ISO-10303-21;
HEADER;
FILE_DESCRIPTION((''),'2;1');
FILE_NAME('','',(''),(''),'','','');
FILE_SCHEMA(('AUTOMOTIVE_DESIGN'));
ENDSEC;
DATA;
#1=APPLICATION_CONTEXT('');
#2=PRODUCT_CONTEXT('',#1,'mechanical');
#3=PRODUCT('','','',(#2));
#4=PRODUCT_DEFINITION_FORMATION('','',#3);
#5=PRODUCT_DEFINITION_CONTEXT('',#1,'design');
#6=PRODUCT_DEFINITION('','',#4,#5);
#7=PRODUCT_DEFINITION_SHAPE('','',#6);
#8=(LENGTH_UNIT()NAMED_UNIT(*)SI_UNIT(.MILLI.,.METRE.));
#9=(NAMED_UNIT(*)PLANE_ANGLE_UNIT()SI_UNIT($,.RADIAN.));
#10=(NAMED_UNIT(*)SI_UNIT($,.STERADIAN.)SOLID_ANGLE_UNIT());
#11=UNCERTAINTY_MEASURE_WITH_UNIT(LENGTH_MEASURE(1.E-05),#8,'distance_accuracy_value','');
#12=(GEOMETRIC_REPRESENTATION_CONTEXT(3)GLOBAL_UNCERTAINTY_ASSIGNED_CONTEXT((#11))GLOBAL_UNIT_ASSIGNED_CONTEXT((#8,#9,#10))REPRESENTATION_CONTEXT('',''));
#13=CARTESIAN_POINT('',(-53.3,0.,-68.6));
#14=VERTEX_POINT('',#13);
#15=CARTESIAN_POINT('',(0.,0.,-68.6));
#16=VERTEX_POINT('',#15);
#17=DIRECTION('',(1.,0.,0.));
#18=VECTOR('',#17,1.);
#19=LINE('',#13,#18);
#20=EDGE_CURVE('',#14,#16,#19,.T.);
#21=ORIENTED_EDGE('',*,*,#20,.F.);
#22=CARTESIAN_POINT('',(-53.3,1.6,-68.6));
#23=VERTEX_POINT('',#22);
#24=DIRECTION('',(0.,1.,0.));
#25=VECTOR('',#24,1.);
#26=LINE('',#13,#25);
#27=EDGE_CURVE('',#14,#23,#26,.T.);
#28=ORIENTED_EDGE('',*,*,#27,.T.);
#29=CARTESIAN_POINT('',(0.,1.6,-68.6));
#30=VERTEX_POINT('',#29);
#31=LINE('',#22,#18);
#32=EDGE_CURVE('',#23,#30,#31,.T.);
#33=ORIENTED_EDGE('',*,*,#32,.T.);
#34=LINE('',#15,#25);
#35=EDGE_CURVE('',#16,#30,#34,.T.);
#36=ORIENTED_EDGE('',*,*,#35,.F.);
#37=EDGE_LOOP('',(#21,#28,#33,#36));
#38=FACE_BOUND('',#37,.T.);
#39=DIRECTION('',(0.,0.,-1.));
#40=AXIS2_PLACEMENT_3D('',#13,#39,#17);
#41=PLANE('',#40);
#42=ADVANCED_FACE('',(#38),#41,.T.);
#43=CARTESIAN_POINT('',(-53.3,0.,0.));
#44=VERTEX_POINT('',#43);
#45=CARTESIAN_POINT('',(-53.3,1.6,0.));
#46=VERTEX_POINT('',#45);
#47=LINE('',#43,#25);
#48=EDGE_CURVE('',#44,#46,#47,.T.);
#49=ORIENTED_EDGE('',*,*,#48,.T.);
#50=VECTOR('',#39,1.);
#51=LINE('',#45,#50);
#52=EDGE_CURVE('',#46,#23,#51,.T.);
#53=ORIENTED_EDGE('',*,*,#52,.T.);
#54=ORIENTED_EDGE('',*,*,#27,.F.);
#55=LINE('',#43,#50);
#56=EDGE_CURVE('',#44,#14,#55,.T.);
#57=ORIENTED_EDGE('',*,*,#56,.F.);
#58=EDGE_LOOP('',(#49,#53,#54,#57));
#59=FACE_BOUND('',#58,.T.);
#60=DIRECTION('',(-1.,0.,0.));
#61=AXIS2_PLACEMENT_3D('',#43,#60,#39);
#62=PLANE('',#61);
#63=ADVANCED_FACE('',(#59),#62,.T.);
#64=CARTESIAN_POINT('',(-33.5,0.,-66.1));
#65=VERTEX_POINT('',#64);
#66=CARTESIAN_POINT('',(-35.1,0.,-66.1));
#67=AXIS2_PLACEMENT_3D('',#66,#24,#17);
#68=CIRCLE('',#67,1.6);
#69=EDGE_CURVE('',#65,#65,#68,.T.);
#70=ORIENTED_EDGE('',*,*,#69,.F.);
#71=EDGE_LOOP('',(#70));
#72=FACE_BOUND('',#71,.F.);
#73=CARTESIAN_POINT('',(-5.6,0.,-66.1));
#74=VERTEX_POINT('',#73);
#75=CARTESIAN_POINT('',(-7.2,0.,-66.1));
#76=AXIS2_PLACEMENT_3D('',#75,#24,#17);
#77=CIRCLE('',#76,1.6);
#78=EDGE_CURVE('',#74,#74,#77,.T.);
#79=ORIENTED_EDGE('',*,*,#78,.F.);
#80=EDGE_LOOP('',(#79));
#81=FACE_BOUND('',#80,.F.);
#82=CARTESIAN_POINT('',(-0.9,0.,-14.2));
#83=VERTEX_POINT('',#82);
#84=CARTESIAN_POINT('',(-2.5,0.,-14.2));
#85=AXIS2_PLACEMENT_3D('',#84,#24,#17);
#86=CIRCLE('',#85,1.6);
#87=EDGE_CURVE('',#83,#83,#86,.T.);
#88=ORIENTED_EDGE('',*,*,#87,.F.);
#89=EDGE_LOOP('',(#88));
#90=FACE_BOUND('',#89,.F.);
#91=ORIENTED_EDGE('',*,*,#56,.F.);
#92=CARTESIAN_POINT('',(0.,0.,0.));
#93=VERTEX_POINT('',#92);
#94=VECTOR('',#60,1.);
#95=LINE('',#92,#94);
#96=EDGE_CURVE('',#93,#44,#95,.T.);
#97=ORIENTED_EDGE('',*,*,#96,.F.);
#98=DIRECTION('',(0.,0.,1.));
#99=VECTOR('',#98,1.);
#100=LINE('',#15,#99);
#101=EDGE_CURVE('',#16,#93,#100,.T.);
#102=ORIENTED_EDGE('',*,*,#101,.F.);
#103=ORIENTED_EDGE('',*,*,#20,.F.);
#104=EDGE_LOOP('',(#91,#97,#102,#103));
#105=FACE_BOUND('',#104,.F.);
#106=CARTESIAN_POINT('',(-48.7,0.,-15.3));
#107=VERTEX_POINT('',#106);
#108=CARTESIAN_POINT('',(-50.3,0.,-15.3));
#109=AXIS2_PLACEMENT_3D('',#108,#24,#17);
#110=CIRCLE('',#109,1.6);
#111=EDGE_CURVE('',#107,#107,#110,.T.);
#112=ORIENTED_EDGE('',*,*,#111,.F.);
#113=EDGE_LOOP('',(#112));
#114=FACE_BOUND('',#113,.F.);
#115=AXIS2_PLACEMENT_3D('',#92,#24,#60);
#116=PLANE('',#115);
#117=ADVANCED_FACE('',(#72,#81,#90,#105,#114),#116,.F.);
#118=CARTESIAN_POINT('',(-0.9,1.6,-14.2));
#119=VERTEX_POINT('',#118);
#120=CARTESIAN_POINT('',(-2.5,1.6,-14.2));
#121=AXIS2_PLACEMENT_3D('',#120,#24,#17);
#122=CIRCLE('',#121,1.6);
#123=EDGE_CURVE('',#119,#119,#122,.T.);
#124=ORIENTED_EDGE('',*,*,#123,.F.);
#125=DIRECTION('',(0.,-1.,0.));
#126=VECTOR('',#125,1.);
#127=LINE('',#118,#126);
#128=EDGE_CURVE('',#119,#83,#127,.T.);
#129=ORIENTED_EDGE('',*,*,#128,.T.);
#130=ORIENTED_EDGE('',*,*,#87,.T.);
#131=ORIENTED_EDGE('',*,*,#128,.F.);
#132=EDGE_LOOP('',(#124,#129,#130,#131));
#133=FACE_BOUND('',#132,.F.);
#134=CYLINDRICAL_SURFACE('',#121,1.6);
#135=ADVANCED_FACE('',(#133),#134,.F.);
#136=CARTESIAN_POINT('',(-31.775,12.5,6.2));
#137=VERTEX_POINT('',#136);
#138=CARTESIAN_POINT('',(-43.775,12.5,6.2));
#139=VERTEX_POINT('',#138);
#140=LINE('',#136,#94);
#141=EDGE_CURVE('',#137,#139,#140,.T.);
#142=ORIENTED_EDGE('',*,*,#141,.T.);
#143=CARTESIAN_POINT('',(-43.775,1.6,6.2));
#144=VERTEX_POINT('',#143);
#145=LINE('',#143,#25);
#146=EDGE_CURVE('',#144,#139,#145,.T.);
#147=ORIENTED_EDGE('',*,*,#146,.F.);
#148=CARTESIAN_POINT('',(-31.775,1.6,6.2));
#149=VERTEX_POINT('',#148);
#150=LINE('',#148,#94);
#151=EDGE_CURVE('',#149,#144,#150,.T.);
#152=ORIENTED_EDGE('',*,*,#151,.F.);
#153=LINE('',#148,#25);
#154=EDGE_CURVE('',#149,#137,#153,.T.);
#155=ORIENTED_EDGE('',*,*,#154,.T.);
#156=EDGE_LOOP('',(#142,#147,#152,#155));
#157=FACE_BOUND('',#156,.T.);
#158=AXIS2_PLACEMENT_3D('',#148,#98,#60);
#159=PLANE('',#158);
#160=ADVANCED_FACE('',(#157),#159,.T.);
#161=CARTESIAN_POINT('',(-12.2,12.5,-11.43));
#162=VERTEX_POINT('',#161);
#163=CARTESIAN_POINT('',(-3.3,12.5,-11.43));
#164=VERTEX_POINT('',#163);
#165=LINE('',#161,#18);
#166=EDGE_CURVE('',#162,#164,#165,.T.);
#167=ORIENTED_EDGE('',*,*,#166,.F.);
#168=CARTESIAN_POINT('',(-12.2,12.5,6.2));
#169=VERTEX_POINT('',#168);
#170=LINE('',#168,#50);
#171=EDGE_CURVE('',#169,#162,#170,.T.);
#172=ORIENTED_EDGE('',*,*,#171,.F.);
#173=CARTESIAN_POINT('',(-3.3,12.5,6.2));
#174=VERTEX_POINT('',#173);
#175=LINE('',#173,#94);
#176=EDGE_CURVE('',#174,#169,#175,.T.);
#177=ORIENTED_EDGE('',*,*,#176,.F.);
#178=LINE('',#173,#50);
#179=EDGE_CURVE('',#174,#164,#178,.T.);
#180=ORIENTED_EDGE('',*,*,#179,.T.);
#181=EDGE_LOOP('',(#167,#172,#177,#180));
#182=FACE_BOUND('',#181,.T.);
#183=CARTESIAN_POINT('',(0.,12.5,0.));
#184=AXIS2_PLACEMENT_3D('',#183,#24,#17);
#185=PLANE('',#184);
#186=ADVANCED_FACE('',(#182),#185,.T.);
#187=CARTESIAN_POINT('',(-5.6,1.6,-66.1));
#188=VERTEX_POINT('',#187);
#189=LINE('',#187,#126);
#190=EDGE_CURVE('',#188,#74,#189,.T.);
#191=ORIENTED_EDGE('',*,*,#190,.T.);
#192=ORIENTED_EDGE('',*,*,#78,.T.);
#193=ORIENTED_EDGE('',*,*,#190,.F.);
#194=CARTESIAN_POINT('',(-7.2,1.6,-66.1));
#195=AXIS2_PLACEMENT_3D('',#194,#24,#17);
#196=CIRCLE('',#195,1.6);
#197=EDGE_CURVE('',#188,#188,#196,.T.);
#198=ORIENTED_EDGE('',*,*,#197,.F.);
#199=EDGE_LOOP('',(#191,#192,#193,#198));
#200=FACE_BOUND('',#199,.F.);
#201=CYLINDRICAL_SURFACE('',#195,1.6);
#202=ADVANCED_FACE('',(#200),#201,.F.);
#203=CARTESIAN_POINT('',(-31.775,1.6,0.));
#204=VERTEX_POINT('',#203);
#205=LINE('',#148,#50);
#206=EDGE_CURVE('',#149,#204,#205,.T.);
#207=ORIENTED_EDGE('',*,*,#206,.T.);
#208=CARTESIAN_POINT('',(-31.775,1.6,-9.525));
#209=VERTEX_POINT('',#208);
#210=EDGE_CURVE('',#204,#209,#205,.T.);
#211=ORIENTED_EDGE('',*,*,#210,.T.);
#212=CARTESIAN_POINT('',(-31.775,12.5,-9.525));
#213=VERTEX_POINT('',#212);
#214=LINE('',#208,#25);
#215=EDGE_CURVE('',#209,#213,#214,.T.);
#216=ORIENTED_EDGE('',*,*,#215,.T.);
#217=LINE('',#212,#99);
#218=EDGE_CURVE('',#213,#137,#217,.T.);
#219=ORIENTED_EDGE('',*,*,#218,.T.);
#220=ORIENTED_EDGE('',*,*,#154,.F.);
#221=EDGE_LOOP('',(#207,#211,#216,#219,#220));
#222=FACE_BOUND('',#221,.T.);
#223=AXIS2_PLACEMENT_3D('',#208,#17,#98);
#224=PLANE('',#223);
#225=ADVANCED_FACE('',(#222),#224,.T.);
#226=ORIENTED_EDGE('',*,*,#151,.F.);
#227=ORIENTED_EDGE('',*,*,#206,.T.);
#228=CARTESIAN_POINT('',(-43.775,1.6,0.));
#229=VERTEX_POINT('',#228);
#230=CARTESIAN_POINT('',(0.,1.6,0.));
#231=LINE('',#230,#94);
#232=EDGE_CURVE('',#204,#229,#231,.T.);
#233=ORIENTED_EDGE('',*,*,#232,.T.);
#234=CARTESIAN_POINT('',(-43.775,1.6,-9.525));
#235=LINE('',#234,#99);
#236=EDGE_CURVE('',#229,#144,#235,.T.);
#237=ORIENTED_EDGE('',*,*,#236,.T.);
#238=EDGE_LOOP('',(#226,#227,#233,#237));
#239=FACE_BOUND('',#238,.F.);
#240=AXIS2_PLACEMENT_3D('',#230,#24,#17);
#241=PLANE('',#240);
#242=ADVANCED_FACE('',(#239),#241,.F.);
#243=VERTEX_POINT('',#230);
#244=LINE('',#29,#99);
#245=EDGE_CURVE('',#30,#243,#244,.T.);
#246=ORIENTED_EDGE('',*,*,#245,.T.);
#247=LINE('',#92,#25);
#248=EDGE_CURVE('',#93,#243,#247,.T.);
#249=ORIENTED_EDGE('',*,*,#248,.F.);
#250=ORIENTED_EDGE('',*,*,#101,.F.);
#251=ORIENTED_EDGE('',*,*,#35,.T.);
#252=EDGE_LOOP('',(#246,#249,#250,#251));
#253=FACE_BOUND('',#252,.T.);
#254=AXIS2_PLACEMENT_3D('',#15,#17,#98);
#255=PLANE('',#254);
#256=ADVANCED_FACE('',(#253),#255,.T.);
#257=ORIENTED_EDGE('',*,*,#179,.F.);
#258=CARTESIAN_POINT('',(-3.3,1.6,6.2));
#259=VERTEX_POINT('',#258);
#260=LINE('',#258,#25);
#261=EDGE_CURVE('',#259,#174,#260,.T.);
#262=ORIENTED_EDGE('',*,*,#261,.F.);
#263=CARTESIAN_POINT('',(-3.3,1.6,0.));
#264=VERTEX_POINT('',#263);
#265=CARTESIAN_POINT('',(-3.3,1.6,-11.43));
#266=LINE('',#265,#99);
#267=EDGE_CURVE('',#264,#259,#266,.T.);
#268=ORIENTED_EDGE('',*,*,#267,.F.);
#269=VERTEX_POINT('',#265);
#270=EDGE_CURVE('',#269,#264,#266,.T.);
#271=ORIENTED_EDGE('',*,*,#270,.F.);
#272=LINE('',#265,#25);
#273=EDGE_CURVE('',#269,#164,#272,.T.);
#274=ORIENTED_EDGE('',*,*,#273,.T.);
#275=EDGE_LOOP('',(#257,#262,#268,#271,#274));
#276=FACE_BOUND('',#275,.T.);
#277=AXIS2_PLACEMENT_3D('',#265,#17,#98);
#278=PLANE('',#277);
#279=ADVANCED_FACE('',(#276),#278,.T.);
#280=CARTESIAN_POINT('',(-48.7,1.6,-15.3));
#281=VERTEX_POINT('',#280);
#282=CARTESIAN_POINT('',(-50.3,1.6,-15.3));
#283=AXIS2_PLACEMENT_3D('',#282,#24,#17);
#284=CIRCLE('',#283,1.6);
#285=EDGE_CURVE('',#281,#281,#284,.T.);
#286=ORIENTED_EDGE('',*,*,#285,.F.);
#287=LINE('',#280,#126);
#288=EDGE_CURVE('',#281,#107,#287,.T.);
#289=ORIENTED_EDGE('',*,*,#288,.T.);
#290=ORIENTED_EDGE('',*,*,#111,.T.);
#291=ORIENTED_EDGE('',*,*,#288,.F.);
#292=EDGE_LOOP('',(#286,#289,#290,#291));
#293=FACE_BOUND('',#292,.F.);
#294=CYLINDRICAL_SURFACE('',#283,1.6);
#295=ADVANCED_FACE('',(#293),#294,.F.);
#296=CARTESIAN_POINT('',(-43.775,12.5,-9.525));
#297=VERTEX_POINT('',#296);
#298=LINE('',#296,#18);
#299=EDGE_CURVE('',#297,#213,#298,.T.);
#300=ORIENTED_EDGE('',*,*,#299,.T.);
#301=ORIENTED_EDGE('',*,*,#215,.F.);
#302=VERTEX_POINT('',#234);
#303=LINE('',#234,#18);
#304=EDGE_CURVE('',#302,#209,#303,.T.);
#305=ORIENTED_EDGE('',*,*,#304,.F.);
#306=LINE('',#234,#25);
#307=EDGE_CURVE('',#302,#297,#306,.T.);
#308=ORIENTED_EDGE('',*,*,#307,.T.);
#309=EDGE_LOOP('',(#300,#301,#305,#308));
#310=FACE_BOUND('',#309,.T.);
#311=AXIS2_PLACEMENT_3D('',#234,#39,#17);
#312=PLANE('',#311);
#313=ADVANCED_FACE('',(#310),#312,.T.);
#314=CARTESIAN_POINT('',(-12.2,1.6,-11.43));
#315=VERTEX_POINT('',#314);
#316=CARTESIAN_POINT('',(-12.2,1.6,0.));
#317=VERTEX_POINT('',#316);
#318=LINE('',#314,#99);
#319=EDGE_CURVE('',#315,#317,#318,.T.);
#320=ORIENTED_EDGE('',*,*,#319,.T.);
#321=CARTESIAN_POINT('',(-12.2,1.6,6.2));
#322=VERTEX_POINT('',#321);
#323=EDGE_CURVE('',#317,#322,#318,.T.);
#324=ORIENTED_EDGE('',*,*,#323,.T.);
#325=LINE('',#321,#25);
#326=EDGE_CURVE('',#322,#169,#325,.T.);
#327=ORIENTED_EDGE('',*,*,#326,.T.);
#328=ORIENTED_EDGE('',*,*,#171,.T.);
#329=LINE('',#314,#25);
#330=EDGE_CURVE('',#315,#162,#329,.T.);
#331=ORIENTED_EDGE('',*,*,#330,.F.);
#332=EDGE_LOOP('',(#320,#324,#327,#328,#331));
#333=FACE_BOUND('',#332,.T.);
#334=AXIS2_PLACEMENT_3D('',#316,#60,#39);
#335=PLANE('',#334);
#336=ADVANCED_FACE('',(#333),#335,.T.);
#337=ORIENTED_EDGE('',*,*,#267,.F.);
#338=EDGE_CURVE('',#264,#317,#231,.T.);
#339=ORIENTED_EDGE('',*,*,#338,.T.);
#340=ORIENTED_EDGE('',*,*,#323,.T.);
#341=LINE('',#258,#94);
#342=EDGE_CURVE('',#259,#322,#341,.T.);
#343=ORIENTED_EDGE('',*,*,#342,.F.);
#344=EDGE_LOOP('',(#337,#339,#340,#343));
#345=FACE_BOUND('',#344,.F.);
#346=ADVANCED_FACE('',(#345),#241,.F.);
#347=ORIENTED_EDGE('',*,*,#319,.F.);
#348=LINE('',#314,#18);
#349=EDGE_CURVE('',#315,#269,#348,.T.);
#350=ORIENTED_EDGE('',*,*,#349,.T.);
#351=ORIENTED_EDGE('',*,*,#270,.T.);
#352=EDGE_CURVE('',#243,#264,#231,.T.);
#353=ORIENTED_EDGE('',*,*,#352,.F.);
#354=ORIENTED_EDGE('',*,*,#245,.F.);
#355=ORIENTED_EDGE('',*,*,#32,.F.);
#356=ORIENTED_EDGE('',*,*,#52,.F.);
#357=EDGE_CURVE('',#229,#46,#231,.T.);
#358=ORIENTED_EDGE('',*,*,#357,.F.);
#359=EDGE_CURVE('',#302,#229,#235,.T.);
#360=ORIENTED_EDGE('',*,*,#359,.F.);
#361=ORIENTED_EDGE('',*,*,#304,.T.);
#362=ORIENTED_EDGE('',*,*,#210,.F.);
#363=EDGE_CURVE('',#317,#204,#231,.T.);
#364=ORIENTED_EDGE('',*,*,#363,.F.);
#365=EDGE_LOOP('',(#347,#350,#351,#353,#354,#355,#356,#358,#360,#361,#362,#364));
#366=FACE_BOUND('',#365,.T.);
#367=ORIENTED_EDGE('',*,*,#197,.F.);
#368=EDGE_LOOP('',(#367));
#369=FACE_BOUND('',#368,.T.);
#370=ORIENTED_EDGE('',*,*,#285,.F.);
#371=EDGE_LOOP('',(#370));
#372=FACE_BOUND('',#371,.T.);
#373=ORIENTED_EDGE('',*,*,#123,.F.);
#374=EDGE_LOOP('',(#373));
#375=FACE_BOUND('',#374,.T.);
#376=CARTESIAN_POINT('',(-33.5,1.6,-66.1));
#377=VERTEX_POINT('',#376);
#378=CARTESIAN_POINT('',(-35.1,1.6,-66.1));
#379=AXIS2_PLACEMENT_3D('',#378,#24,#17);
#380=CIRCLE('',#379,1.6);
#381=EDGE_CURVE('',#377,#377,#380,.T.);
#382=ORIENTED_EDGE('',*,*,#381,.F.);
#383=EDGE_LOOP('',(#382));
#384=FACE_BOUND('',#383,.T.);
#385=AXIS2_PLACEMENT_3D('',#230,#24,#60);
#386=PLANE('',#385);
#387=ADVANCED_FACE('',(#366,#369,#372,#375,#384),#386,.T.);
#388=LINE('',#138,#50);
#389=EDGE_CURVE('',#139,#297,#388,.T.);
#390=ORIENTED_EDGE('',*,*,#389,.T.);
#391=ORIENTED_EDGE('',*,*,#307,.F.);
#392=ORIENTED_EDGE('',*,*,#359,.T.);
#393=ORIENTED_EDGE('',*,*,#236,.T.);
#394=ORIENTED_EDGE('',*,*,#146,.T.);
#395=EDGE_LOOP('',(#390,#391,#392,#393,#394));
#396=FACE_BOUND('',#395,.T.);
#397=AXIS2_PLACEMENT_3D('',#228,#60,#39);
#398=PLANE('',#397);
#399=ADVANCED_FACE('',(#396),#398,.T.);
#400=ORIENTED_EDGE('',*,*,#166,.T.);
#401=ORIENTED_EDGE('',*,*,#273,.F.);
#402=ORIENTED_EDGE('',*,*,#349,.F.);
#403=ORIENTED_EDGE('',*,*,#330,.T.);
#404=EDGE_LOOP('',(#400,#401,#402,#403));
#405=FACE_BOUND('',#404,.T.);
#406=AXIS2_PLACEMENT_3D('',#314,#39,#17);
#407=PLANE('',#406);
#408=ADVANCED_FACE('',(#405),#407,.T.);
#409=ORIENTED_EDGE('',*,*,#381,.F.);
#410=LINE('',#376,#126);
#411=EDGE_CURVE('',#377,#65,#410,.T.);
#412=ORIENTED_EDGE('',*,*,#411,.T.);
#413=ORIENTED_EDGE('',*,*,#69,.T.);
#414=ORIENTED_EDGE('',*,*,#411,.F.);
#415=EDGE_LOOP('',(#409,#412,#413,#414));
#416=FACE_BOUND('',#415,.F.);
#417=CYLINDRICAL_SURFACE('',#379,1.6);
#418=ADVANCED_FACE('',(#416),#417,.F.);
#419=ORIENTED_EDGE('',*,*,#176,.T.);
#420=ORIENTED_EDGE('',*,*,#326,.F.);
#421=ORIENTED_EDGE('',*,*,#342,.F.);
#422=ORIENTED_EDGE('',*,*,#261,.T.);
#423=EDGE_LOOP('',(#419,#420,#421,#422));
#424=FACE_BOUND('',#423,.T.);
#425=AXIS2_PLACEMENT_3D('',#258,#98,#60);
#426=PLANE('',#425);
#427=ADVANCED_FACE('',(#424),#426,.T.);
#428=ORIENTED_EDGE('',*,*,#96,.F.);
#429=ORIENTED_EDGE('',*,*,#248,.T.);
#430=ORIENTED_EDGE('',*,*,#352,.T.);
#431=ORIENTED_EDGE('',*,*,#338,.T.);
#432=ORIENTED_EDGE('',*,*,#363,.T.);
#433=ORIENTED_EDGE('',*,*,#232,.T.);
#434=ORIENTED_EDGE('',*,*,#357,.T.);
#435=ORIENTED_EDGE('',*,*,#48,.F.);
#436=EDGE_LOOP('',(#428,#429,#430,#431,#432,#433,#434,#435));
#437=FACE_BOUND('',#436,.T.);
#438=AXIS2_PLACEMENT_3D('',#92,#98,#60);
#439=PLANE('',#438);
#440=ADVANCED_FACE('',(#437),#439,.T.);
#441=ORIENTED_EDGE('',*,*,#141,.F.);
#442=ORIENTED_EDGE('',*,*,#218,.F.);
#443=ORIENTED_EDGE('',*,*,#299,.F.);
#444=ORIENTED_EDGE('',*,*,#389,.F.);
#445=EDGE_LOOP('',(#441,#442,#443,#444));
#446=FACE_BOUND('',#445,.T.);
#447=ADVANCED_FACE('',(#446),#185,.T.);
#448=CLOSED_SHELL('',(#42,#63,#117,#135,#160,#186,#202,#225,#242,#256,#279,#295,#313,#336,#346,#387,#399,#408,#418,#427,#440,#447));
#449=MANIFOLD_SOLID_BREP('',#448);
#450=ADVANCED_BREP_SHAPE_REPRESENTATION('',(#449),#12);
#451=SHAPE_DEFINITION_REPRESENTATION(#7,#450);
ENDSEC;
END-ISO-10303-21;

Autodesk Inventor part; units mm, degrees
ref_plane "YZ Plane" through (0, 0, 0) normal (1, 0, 0) x (0, 1, 0)
ref_plane "XZ Plane" through (0, 0, 0) normal (0, 1, 0) x (-1, 0, 0)
ref_plane "XY Plane" through (0, 0, 0) normal (0, 0, 1) x (1, 0, 0)
sketch "Sketch1" plane through (0, 0, 0) normal (0, 1, 0) x (-1, 0, 0)
  line L0 (0, 0) -> (53.3, 0)
  line L1 (53.3, 0) -> (53.3, -68.6)
  line L2 (53.3, -68.6) -> (0, -68.6)
  line L3 (0, -68.6) -> (0, 0)
  dimension "d0" = 68.6
  dimension "d1" = 53.3
extrude "Extrusion1" add sketch "Sketch1" along normal blind 1.6
sketch "Sketch2" plane through (0, 1.6, 0) normal (0, 1, 0) x (1, 0, 0)
  circle A0 centre (-50.3, 15.3) radius 1.6
  circle A1 centre (-2.5, 14.2) radius 1.6
  circle A2 centre (-7.2, 66.1) radius 1.6
  circle A3 centre (-35.1, 66.1) radius 1.6
  line L0 (-53.3, 0) -> (0, 0) projected
  line L1 (0, 0) -> (0, 68.6) projected
  dimension "d5" = 3.2
  dimension "d6" = 51.9
  dimension "d7" = 50.8
  dimension "d8" = 27.9
  dimension "d9" = 15.2
  dimension "d10" = 4.7
  dimension "d11" = 15.3
  dimension "d12" = 2.5
extrude "Extrusion2" cut sketch "Sketch2" against normal through all
sketch "Sketch3" plane through (0, 1.6, 0) normal (0, 1, 0) x (1, 0, 0)
  line L0 (-43.775, 9.525) -> (-31.775, 9.525)
  line L1 (-31.775, 9.525) -> (-31.775, -6.2)
  line L2 (-31.775, -6.2) -> (-43.775, -6.2)
  line L3 (-43.775, -6.2) -> (-43.775, 9.525)
  line L4 (-12.2, 11.43) -> (-3.3, 11.43)
  line L5 (-3.3, 11.43) -> (-3.3, -6.2)
  line L6 (-3.3, -6.2) -> (-12.2, -6.2)
  line L7 (-12.2, -6.2) -> (-12.2, 11.43)
  line L8 (-53.3, 0) -> (0, 0) projected
  line L9 (0, 0) -> (0, 68.6) projected
  line L10 (-53.3, 68.6) -> (-53.3, 0) projected
  dimension "d15" = 12
  dimension "d16" = 6.2
  dimension "d18" = 8.9
  dimension "d19" = 3.3
  dimension "d20" = 9.525
  dimension "d21" = 11.43
  dimension "d22" = 9.525
extrude "Extrusion3" add sketch "Sketch3" along normal blind 10.9
properties part number "Arduino_Model"
